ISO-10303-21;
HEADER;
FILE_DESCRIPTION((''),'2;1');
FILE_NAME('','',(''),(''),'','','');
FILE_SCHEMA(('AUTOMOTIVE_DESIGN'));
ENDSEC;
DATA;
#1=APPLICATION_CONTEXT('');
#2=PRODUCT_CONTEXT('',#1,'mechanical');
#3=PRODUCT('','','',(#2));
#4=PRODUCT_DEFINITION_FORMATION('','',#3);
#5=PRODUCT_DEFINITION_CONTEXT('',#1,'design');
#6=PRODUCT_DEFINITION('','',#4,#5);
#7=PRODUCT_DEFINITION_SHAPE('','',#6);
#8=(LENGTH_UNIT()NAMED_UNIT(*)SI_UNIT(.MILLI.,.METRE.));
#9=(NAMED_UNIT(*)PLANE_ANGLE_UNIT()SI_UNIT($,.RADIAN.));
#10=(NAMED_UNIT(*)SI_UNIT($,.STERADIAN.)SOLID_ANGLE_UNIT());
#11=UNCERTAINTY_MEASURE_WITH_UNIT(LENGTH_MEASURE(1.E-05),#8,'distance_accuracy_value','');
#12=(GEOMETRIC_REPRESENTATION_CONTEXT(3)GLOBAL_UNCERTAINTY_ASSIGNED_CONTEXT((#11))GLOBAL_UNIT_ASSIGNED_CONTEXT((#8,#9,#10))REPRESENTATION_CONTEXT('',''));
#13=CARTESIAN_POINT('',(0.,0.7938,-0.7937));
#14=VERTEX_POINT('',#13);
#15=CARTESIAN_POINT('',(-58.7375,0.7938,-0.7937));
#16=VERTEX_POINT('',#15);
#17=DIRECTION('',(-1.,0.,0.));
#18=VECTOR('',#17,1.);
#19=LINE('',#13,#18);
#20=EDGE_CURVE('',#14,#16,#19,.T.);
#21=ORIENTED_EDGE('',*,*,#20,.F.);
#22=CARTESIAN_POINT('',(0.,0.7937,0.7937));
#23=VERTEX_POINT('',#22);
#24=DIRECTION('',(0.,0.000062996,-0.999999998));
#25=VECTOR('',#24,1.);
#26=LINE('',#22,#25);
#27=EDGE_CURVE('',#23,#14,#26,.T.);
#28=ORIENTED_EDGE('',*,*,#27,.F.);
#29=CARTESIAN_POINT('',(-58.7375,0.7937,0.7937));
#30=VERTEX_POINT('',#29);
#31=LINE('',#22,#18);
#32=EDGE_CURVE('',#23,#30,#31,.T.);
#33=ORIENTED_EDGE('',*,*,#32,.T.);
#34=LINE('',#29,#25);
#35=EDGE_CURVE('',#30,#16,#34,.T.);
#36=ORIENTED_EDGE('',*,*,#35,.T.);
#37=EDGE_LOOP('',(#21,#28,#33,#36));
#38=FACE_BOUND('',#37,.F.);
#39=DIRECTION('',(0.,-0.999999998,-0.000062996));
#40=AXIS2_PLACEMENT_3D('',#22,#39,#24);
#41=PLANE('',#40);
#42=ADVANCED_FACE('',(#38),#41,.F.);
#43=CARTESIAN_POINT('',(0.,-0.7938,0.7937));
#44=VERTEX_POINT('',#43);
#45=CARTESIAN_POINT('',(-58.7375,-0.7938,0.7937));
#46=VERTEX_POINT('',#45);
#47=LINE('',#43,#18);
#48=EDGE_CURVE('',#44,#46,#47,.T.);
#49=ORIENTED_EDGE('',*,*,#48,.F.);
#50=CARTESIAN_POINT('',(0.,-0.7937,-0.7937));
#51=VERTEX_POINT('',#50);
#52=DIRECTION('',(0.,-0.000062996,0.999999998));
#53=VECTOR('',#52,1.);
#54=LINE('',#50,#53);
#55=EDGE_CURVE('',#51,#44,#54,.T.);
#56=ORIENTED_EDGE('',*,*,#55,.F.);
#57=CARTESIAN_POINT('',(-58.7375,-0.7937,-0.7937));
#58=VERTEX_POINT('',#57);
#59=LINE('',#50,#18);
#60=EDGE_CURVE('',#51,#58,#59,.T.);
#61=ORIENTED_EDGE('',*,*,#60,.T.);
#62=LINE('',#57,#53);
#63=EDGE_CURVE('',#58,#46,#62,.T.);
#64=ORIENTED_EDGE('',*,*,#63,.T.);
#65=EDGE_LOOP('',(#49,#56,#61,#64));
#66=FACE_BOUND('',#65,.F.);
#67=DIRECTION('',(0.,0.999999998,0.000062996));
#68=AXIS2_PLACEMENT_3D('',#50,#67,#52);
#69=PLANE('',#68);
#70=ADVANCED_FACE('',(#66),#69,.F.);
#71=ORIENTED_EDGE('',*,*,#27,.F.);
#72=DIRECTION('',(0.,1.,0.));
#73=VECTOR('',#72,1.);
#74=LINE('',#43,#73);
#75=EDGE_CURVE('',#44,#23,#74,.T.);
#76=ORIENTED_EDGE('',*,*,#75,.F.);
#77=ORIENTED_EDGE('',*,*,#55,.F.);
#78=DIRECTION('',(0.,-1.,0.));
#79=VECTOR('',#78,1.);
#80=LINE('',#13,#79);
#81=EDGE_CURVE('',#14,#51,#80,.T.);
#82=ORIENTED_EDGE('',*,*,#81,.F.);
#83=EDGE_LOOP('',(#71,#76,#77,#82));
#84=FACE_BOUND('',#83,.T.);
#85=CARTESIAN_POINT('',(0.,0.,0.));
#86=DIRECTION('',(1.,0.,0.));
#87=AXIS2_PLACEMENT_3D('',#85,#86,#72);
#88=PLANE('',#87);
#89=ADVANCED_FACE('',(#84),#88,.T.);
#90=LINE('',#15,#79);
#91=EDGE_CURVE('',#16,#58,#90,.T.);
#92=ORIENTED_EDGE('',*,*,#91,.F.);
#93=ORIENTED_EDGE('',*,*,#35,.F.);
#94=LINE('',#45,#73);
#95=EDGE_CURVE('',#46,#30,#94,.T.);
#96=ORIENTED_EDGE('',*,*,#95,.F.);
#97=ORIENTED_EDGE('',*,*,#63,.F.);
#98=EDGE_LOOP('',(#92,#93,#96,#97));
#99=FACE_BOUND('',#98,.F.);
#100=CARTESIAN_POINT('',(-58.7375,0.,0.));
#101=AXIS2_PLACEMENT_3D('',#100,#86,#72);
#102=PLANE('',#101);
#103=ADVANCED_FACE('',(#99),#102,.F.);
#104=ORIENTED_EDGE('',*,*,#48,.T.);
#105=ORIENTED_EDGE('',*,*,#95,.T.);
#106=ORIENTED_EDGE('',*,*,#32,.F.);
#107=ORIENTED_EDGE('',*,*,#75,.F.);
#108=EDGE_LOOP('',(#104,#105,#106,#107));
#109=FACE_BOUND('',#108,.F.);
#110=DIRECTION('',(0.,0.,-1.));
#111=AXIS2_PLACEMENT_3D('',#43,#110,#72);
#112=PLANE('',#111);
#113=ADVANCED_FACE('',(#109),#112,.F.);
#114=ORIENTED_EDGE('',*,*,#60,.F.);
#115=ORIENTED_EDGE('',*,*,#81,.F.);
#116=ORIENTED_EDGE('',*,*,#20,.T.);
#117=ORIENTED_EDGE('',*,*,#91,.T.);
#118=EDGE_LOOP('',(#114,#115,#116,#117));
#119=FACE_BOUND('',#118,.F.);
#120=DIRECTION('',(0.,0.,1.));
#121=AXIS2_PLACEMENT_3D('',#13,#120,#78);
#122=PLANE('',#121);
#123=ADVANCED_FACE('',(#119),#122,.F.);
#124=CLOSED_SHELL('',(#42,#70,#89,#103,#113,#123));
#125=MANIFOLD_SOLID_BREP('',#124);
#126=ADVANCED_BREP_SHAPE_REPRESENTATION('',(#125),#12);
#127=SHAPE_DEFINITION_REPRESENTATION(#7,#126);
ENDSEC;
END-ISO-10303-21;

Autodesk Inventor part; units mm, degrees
ref_plane "YZ Plane" through (0, 0, 0) normal (1, 0, 0) x (0, 1, 0)
ref_plane "XZ Plane" through (0, 0, 0) normal (0, 1, 0) x (-1, 0, 0)
ref_plane "XY Plane" through (0, 0, 0) normal (0, 0, 1) x (1, 0, 0)
sketch "Sketch1" plane through (0, 0, 0) normal (1, 0, 0) x (0, 1, 0)
  line L0 (-0.7938, 0.7937) -> (0.7937, 0.7937)
  line L1 (0.7937, 0.7937) -> (0.7938, -0.7937)
  line L2 (0.7938, -0.7937) -> (-0.7937, -0.7937)
  line L3 (-0.7937, -0.7937) -> (-0.7938, 0.7937)
  line L4 (-0.7937, -0.7937) -> (0.7937, 0.7937)
  line L5 (-0.7938, 0.7937) -> (0.7938, -0.7937)
  point P0 (0, 0)
  point P1 (0, 0)
  dimension "d2" = 1.5875
  dimension "d3" = 1.5875
extrude "Extrusion1" add sketch "Sketch1" against normal blind 58.7375
properties part number "Fret"
